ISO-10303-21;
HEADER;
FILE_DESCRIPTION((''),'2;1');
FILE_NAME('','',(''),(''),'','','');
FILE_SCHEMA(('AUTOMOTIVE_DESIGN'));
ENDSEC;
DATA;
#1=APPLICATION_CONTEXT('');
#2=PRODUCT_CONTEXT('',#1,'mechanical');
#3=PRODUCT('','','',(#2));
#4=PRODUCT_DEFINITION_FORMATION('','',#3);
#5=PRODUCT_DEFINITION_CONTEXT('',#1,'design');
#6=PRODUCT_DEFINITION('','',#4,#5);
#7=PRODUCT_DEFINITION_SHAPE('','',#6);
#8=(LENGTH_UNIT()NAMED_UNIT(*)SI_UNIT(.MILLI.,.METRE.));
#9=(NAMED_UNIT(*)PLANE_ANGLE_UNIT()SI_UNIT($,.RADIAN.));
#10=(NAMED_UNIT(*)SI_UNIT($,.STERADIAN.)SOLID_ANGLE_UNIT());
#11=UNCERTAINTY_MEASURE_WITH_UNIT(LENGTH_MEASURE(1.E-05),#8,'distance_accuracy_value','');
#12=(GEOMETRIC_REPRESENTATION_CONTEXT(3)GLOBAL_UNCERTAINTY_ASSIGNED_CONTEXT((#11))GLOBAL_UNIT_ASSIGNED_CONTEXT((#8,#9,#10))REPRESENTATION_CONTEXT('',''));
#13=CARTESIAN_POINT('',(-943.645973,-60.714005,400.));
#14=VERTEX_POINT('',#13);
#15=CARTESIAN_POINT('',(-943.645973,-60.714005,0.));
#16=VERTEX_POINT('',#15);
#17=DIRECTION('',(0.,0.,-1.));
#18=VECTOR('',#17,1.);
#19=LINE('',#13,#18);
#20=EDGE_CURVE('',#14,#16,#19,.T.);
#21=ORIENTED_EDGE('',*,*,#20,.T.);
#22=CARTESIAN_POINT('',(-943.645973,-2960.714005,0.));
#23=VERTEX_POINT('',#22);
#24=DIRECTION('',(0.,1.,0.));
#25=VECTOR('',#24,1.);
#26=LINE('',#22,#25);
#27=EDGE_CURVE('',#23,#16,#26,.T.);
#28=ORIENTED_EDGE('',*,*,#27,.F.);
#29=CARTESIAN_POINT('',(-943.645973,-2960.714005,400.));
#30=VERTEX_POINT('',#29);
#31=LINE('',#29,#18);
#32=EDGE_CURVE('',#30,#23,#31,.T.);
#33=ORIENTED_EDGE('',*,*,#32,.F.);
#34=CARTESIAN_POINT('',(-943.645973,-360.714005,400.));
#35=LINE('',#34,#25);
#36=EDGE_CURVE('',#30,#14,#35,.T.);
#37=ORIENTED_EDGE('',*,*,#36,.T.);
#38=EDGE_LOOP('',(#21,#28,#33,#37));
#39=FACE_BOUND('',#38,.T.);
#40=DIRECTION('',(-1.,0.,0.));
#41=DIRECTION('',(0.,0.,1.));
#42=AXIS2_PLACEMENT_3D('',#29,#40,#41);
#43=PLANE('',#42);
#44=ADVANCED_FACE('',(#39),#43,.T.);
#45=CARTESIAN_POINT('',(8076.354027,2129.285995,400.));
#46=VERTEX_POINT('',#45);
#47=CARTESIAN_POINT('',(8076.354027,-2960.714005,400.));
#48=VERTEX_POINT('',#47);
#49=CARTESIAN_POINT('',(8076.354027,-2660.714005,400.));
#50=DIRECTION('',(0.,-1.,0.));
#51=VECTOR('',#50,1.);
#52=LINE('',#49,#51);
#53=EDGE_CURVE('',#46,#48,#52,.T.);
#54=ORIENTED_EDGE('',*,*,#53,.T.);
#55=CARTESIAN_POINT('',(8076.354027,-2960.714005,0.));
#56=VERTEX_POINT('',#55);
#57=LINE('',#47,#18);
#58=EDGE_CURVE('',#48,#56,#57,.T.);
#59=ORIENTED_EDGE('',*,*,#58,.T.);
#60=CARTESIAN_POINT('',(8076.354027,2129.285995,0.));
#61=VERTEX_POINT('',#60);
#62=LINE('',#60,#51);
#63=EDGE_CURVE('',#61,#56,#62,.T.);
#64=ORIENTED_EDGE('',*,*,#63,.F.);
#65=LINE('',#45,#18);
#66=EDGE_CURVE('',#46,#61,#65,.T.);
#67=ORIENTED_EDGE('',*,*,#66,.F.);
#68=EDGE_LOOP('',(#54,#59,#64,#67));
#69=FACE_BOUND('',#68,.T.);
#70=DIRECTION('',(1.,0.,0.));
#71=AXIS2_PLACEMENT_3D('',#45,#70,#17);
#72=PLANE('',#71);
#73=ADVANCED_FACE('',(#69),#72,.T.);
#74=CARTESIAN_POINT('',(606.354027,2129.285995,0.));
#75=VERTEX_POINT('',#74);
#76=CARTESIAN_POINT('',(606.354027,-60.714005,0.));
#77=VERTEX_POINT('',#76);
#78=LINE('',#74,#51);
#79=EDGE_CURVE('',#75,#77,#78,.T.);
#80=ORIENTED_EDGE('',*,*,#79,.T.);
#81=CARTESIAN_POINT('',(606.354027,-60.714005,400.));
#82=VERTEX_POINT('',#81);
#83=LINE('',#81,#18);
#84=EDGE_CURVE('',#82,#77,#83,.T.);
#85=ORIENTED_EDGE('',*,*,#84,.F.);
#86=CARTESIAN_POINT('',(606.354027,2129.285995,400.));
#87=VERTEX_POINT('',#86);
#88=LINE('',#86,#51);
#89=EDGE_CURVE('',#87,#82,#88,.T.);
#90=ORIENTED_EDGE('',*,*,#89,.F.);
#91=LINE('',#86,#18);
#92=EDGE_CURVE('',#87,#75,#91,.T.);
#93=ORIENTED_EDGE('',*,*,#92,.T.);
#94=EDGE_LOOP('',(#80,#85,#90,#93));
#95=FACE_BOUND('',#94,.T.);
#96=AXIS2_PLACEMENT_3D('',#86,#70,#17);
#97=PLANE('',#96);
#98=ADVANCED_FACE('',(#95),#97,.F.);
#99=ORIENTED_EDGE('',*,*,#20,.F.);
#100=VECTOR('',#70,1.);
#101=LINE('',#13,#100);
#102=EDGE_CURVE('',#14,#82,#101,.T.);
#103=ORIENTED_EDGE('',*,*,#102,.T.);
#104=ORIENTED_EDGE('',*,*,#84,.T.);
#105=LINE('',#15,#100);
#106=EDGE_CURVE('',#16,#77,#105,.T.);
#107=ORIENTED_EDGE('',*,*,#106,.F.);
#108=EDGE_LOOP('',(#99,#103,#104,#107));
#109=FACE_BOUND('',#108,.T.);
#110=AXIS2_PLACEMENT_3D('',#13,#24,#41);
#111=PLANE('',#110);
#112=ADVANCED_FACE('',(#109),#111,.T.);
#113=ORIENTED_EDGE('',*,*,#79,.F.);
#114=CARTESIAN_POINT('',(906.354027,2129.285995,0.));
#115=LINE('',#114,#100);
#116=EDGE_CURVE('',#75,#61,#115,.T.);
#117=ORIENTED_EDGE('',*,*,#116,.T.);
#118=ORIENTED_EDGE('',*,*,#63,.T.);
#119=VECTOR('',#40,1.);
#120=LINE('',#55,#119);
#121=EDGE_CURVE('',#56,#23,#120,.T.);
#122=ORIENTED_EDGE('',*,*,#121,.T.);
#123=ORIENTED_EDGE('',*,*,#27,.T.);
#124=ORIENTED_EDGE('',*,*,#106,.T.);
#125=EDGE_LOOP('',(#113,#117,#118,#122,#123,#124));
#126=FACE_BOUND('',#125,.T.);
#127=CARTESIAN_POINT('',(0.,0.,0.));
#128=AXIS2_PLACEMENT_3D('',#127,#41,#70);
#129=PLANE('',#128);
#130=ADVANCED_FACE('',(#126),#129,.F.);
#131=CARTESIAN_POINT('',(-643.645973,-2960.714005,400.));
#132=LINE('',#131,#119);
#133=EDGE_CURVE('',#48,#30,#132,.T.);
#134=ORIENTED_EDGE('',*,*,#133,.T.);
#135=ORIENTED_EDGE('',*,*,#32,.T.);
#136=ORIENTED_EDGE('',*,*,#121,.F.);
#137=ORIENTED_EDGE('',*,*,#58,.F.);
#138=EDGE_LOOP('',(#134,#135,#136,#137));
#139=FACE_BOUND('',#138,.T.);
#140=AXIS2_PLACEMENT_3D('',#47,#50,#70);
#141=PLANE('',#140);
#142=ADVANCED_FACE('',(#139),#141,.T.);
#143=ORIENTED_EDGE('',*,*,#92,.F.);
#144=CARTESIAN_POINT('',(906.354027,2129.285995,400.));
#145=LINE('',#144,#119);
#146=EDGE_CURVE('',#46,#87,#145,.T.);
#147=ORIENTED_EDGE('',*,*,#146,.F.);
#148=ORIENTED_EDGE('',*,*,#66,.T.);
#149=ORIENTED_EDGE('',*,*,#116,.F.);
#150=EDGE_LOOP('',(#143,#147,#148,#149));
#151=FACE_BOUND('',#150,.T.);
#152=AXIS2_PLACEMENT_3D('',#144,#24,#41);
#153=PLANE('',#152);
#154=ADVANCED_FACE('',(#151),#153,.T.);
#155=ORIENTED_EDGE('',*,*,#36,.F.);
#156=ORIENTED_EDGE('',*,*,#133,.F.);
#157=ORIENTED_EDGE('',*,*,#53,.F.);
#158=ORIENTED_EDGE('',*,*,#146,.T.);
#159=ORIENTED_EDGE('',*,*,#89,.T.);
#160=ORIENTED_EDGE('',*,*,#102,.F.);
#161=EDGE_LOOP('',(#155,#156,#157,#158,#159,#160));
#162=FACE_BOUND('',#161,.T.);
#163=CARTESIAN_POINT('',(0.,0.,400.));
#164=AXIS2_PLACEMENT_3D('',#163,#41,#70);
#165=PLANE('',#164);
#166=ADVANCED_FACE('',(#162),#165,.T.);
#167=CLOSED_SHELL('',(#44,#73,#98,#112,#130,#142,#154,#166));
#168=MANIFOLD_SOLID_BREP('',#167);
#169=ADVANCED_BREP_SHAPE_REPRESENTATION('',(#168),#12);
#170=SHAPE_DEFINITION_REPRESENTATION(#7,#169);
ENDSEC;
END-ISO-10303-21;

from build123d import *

# Parameters (mm, degrees)
EXTRUDE_1_DEPTH = 400


with BuildPart() as part:
    # Эскиз1 → Бобышка-Вытянуть1 (new body)
    with BuildSketch(Plane.XY):
        Polygon((906.35402749, 2129.285994672), (7776.35402749, 2129.285994672), (8076.35402749, 2129.285994672), (8076.35402749, -2660.714005328), (8076.35402749, -2960.714005328), (-643.64597251, -2960.714005328), (-943.64597251, -2960.714005328), (-943.64597251, -360.714005328), (-943.64597251, -60.714005328), (606.35402749, -60.714005328), (606.35402749, 2129.285994672), align=None)
    extrude(amount=EXTRUDE_1_DEPTH)


solid = part.part
